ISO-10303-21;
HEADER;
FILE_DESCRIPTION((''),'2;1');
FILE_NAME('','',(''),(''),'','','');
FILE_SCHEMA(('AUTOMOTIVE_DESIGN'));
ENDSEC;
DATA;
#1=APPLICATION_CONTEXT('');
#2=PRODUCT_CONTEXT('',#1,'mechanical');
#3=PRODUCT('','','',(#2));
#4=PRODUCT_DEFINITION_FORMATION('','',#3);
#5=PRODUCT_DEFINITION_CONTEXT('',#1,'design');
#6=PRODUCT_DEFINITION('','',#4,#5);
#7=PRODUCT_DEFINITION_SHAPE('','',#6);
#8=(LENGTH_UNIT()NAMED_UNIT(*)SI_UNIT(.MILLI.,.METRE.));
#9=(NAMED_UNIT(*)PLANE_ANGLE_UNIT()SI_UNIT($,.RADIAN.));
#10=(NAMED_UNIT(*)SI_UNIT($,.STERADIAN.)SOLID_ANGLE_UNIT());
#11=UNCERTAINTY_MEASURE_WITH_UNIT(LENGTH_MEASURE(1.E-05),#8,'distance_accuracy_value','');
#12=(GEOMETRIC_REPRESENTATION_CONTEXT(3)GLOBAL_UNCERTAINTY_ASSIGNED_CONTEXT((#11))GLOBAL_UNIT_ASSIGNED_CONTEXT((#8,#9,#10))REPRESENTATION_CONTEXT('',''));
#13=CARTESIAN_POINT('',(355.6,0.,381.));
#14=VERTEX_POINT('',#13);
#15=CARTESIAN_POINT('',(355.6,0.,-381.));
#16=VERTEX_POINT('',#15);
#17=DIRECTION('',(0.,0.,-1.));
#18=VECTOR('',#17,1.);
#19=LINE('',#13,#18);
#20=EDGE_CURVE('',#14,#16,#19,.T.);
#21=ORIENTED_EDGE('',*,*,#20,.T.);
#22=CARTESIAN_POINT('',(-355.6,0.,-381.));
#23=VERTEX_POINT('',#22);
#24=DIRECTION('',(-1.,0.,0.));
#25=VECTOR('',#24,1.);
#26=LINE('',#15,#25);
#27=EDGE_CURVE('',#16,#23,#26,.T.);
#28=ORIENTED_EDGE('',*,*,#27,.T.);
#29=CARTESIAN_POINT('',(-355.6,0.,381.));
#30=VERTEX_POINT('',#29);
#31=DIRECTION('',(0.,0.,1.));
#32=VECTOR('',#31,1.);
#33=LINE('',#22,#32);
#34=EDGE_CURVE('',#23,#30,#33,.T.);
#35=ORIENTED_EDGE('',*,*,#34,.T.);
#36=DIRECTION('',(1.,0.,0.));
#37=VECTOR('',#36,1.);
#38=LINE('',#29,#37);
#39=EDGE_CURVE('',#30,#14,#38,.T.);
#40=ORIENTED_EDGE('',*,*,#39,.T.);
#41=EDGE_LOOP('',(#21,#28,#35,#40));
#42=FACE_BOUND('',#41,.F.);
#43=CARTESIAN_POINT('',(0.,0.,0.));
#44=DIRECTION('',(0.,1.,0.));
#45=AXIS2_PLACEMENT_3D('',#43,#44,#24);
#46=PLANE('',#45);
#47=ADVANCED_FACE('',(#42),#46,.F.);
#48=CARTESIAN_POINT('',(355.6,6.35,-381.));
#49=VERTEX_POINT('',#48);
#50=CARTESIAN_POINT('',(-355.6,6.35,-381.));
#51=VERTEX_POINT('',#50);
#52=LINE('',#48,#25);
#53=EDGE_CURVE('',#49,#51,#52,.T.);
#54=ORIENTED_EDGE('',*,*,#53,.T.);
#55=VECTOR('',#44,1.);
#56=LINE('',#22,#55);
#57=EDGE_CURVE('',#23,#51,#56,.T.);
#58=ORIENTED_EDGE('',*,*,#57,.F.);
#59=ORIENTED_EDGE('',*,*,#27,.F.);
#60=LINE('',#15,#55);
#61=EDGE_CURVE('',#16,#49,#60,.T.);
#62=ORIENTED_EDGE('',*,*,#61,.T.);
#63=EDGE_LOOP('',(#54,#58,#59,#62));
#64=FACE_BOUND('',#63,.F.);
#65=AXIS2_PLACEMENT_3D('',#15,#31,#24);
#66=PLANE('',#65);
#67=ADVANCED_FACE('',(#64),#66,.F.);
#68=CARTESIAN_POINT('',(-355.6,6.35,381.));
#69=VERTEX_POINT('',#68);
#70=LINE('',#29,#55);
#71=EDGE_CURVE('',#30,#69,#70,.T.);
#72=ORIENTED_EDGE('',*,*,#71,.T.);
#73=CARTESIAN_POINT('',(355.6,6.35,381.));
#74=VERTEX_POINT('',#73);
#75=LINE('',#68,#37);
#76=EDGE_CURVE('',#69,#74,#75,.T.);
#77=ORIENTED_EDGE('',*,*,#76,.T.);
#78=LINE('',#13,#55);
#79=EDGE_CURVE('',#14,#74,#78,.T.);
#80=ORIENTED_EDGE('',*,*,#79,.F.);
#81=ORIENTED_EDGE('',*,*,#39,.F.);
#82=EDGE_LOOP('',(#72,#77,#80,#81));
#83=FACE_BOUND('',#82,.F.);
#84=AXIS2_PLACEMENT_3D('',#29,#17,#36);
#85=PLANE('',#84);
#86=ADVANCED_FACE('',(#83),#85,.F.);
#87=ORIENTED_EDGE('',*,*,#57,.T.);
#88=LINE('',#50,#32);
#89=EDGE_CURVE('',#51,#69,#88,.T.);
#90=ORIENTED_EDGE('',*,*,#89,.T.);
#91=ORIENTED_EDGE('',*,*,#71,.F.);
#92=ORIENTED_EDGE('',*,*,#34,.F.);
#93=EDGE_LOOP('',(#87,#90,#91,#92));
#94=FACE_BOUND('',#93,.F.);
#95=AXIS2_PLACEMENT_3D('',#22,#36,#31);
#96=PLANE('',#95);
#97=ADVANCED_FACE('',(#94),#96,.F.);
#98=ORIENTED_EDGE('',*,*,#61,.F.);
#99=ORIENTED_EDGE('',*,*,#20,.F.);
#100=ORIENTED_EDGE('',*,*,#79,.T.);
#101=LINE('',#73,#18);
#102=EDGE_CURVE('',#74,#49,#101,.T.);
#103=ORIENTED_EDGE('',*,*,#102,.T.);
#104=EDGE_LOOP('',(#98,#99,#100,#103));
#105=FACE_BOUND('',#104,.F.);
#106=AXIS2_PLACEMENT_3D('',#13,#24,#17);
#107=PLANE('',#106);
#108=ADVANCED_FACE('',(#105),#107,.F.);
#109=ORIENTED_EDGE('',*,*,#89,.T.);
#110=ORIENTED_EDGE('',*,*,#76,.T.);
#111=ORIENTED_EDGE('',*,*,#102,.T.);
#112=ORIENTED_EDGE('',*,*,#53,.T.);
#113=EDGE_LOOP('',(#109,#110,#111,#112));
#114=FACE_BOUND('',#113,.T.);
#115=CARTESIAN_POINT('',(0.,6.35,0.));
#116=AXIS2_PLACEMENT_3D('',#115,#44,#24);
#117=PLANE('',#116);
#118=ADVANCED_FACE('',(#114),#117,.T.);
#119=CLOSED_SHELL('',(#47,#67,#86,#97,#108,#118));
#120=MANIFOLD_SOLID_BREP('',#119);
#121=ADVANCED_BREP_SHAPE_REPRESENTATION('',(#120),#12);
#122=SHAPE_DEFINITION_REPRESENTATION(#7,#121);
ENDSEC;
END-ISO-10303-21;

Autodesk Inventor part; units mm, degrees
ref_plane "XZ Plane" through (0, 0, 0) normal (0, 1, 0) x (-1, 0, 0)
ref_plane "XY Plane" through (0, 0, 0) normal (0, 0, 1) x (1, 0, 0)
sketch "Sketch1" plane through (0, 0, 0) normal (0, 1, 0) x (-1, 0, 0)
  line L0 (-355.6, 381) -> (-355.6, -381)
  line L1 (-355.6, -381) -> (355.6, -381)
  line L2 (355.6, -381) -> (355.6, 381)
  line L3 (355.6, 381) -> (-355.6, 381)
  line L4 (-355.6, 381) -> (355.6, -381) construction
  line L5 (-355.6, -381) -> (355.6, 381) construction
  point P0 (0, 0)
  dimension "d2" = 711.2
  dimension "d3" = 762
extrude "Extrusion1" add sketch "Sketch1" along normal blind 6.35
properties part number "Deck" material "Polycarbonate, Smoke"
